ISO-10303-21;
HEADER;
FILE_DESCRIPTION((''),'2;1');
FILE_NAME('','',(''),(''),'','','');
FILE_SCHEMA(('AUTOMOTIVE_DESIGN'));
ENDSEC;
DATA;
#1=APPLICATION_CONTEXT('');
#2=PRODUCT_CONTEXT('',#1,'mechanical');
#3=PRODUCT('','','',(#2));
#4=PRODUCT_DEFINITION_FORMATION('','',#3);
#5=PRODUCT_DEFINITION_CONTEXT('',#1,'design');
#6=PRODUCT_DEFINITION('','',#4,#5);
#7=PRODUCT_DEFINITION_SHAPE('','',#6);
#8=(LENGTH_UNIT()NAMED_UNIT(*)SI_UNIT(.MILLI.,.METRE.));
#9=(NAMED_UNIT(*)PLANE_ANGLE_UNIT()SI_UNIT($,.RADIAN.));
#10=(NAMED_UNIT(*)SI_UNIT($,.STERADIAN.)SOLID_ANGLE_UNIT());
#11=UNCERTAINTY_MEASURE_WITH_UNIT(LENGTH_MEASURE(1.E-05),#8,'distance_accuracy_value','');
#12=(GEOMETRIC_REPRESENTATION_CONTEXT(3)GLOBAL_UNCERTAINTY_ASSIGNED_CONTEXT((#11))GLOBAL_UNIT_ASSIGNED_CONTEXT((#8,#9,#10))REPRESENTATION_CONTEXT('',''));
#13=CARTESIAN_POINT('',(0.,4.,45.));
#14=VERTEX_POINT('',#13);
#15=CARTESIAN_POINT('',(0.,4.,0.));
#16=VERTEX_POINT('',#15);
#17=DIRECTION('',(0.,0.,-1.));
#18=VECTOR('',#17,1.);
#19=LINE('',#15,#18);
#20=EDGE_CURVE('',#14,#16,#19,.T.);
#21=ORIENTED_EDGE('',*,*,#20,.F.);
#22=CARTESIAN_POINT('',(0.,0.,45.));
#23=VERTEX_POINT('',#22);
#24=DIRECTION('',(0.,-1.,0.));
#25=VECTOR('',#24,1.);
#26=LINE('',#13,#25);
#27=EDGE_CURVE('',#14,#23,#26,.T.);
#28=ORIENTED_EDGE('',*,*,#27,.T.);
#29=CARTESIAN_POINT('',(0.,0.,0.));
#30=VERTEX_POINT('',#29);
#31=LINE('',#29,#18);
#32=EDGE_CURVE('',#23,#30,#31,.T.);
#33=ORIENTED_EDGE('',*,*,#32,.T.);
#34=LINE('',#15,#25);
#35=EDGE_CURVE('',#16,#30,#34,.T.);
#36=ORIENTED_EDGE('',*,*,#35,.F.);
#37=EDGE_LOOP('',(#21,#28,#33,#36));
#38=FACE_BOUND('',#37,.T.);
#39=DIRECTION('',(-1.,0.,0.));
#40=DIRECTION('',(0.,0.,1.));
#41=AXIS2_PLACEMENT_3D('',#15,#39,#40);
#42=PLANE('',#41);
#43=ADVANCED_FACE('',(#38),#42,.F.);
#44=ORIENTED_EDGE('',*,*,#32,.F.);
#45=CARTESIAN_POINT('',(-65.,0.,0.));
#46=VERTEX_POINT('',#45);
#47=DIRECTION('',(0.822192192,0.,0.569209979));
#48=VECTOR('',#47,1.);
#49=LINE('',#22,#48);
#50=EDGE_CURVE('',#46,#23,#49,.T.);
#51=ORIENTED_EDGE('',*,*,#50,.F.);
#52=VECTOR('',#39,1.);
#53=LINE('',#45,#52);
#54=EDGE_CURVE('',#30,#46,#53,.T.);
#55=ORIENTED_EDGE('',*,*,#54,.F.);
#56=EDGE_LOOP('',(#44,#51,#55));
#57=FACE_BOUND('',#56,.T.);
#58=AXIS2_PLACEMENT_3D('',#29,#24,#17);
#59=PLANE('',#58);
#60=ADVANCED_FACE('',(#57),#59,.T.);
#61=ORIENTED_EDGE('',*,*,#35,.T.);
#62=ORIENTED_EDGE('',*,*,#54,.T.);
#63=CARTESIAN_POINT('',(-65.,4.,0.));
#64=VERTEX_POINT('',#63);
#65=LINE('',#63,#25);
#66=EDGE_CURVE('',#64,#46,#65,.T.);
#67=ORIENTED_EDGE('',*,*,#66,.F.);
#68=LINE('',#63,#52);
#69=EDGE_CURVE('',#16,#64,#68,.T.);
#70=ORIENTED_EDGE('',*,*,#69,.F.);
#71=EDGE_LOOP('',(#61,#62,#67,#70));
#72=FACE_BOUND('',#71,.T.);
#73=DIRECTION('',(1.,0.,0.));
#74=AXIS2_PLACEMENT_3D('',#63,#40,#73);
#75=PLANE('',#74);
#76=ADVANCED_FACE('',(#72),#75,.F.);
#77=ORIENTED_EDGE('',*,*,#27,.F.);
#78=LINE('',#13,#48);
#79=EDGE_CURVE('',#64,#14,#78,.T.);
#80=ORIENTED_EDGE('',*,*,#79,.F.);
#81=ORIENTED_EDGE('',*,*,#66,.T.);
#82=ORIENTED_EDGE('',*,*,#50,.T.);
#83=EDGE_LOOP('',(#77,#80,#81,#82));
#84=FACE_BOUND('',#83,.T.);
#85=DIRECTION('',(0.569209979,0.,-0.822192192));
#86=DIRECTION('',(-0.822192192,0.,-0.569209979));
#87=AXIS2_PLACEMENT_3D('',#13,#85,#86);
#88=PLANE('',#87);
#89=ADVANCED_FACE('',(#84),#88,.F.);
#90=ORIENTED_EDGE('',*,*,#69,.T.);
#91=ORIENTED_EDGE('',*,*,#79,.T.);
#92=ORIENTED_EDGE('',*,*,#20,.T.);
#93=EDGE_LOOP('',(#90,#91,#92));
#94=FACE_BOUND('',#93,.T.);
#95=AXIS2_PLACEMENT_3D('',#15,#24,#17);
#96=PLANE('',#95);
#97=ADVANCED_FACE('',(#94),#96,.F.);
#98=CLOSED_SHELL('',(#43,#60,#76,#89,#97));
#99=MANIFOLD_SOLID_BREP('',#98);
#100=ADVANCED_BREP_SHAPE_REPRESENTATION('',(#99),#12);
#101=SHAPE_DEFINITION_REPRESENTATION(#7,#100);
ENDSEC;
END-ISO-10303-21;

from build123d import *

# Parameters (mm, degrees)
BOSS_EXTRUDE1_DEPTH = 4


with BuildPart() as part:
    # Sketch1 → Boss-Extrude1 (new body)
    with BuildSketch(Plane(origin=(0, 0, 0), x_dir=(1, 0, 0), z_dir=(0, 1, 0))):
        Polygon((0, 0), (0, -45), (-65, 0), align=None)
    extrude(amount=BOSS_EXTRUDE1_DEPTH)


solid = part.part
